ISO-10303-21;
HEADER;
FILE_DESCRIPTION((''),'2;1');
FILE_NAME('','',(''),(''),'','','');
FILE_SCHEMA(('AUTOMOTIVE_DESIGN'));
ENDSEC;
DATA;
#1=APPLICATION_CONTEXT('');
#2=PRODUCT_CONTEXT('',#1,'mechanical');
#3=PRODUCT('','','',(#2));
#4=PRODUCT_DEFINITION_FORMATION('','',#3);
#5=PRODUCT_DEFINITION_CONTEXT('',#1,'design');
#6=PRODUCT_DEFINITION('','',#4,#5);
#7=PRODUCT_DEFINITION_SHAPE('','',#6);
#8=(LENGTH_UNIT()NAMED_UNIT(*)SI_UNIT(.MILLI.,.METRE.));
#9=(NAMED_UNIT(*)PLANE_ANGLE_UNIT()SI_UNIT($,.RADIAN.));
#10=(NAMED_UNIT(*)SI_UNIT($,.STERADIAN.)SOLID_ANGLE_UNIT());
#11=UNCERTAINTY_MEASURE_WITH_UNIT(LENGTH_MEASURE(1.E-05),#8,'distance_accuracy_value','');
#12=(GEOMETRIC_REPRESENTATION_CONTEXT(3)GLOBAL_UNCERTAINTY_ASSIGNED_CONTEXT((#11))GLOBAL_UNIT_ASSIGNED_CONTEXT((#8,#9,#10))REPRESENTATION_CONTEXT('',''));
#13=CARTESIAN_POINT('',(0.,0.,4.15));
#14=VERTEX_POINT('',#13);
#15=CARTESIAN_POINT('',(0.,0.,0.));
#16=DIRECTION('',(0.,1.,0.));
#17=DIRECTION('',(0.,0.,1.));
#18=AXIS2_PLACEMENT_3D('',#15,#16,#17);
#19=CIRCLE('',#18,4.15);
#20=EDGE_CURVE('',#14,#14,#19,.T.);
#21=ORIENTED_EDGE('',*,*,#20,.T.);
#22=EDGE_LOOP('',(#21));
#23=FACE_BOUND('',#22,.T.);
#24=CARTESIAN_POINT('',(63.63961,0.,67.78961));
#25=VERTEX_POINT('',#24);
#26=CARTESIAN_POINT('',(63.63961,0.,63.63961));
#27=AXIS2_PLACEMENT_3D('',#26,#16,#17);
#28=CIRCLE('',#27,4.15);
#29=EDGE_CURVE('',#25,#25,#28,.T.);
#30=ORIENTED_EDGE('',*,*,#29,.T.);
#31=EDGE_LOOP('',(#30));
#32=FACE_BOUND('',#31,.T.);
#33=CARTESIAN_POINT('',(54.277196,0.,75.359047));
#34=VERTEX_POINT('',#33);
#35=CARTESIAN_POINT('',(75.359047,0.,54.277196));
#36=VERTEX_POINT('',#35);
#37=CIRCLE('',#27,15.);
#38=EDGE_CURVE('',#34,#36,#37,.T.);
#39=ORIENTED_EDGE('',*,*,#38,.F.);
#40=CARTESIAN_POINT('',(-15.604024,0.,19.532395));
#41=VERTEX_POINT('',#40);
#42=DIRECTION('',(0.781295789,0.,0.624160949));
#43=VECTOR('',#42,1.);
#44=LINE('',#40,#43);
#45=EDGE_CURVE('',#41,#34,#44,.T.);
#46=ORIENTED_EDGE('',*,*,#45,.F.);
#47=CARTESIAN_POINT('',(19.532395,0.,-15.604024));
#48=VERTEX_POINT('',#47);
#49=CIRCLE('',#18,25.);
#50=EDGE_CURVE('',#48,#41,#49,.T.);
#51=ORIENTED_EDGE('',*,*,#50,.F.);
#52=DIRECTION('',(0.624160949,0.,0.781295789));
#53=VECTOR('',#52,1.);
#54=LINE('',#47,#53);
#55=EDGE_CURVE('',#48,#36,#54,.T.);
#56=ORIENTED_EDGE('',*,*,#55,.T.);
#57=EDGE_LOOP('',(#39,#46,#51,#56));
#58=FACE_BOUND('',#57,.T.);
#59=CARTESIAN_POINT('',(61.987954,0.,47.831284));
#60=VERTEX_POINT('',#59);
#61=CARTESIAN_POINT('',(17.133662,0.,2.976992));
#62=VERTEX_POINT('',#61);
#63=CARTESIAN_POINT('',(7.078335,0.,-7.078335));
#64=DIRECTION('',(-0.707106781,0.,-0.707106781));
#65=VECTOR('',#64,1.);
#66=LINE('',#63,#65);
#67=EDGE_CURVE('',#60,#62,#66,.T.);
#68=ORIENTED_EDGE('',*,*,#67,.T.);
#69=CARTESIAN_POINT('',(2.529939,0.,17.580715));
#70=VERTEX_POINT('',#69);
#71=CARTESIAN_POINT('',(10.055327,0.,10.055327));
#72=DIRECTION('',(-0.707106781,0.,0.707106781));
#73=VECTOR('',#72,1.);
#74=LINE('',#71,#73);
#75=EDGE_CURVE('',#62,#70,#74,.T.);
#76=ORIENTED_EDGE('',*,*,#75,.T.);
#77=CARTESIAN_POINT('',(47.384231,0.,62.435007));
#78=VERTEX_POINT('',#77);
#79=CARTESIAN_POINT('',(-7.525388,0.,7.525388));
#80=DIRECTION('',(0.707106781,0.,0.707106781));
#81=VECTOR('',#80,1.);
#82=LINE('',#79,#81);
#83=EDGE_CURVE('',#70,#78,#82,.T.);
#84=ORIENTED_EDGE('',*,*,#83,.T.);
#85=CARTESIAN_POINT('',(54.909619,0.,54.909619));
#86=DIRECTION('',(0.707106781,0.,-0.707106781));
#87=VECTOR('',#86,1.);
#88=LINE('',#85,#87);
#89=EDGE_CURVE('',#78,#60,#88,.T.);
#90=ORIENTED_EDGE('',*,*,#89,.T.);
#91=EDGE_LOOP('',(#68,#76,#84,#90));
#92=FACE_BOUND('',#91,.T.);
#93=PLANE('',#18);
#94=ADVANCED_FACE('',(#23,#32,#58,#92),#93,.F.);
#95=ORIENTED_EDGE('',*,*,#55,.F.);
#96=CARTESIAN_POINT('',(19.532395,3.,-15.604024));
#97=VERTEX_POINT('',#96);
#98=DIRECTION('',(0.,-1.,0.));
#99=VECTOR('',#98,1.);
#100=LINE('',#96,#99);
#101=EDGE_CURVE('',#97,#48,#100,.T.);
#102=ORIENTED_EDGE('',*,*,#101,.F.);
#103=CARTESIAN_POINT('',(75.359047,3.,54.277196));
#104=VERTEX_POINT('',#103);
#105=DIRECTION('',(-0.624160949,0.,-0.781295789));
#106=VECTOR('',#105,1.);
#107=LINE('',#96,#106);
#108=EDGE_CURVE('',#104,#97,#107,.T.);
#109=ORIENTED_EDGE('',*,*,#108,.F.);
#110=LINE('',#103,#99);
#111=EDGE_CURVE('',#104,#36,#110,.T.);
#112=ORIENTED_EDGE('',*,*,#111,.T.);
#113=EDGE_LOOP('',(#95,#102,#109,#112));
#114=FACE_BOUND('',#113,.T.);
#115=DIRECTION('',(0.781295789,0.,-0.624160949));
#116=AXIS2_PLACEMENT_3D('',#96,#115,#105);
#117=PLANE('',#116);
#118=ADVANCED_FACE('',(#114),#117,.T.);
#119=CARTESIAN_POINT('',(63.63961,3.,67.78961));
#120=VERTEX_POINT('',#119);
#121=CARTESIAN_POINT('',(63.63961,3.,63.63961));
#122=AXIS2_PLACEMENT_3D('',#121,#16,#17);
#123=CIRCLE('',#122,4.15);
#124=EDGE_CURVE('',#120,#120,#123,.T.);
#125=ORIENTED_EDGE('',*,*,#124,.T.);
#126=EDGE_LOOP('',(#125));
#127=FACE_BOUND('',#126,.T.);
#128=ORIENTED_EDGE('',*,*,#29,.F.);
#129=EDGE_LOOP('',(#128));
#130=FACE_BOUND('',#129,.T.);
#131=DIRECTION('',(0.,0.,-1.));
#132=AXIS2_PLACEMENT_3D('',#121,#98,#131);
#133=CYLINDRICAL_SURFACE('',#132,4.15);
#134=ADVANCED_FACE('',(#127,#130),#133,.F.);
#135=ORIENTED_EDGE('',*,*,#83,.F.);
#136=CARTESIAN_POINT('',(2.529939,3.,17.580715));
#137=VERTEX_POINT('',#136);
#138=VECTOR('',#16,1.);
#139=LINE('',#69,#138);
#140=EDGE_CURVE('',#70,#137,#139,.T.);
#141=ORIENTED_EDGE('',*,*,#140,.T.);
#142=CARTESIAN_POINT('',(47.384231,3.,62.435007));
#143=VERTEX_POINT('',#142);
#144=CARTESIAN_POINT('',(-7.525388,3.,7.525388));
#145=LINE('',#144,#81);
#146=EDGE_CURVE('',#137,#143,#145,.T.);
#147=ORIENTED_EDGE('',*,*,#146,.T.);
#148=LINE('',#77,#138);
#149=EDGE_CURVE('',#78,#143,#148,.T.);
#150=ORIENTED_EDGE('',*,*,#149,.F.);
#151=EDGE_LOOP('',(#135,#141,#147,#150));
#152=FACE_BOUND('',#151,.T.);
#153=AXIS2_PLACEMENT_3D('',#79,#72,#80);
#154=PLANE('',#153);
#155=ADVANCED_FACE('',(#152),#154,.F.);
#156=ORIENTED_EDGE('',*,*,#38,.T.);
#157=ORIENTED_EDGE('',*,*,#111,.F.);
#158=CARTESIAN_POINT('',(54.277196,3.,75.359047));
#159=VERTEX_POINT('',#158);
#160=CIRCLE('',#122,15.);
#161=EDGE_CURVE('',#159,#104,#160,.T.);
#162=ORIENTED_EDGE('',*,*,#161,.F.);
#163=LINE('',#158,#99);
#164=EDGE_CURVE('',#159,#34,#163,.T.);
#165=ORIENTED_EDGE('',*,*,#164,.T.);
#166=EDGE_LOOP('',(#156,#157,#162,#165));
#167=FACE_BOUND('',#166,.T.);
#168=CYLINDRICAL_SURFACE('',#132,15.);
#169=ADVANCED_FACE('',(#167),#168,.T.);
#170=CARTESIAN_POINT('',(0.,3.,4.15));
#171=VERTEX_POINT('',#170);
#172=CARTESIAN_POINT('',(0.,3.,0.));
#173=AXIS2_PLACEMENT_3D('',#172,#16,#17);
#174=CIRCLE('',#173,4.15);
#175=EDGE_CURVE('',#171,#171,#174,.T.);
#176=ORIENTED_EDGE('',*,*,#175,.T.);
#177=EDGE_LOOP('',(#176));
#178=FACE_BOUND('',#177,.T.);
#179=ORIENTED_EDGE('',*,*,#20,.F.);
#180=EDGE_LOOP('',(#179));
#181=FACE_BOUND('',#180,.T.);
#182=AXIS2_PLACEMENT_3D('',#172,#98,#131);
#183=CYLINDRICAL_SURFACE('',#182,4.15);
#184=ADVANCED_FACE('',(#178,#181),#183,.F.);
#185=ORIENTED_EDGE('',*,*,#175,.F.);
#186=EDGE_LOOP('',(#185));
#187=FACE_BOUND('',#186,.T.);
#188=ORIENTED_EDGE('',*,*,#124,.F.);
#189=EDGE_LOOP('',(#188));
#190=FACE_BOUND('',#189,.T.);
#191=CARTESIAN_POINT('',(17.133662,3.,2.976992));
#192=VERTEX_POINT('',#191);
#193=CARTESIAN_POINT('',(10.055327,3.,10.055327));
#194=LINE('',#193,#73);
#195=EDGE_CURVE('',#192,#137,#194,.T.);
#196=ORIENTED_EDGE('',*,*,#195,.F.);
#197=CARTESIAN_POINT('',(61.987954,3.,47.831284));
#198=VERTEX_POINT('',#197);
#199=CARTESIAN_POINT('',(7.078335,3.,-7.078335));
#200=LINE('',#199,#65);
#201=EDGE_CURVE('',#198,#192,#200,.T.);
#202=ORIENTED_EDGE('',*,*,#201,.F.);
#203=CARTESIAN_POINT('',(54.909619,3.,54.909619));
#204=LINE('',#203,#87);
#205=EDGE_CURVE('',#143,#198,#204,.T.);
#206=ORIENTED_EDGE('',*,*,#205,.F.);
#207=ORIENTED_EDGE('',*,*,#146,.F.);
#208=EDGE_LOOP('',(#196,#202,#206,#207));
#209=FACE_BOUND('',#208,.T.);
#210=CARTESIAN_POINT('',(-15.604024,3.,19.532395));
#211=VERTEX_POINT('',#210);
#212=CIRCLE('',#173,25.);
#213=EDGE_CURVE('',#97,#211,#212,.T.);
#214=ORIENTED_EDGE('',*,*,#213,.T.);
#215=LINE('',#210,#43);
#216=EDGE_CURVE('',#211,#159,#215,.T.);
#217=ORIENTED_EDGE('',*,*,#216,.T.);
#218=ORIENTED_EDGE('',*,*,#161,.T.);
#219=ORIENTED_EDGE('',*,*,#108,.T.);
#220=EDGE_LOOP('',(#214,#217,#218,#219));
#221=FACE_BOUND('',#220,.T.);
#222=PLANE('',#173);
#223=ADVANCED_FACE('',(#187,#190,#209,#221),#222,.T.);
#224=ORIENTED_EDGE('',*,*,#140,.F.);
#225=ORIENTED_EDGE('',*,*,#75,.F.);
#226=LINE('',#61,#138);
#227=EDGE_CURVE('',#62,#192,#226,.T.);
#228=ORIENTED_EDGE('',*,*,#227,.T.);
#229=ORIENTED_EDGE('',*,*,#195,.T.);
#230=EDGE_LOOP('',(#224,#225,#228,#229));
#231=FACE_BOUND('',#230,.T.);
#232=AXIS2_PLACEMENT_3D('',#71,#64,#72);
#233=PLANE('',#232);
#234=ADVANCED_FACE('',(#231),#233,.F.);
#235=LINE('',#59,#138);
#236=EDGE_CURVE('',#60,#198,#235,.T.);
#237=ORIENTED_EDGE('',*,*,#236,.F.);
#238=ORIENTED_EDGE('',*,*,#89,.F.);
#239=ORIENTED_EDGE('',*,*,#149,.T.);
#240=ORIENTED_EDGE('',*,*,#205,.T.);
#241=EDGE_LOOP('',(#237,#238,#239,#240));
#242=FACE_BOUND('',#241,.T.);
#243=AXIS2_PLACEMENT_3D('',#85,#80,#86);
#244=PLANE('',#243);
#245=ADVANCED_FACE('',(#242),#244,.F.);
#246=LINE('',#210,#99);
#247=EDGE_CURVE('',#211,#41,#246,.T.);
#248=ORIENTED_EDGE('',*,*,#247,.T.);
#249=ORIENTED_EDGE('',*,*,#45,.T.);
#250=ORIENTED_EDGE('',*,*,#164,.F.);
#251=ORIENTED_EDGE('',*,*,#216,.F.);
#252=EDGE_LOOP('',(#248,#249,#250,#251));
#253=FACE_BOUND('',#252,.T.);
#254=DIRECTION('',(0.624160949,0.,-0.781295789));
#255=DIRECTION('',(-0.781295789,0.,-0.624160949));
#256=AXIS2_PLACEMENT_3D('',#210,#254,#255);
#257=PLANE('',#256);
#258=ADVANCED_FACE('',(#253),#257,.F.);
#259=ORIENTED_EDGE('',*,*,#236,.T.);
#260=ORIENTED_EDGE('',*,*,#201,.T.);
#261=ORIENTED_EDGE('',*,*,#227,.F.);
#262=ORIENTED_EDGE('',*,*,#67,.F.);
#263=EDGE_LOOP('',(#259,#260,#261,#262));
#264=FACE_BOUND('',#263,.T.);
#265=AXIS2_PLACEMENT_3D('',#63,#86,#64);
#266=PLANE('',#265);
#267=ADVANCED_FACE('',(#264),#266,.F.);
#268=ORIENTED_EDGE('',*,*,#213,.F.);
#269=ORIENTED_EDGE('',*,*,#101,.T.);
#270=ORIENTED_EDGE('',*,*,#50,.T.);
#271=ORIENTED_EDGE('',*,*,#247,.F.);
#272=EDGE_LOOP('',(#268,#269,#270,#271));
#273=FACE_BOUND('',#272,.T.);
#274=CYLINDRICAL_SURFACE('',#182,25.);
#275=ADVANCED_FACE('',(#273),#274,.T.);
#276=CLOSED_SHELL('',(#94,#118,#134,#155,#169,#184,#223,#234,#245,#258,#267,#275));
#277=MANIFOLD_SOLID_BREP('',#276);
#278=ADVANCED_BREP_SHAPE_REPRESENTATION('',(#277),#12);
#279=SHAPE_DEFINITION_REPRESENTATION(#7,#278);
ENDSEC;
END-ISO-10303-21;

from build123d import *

# Parameters (mm, degrees)
SKETCH_1_R          = 4.15
EXTRUDE_1_DEPTH     = 3
EXTRUDE_2_DEPTH     = 12
CUT_EXTRUDE_1_DEPTH = 112.858735101
CUT_EXTRUDE_2_DEPTH = 112.858735101


with BuildPart() as part:
    # 草图1 → 凸台-拉伸1 (new body)
    with BuildSketch(Plane(origin=(0, 0, 0), x_dir=(1, 0, 0), z_dir=(0, 1, 0))):
        with BuildLine():
            ThreePointArc((19.532394726, 15.60402372), (-17.67766953, 17.67766953), (-15.60402372, -19.532394726))
            Line((-15.60402372, -19.532394726), (54.277196075, -75.359047143))
            ThreePointArc((54.277196075, -75.359047143), (74.246212025, -74.246212025), (75.359047143, -54.277196075))
            Line((75.359047143, -54.277196075), (19.532394726, 15.60402372))
        make_face()
        with Locations(Location((0, 0, 0), (0, 0, 270))):
            Circle(SKETCH_1_R, mode=Mode.SUBTRACT)
        with Locations(Location((63.639610307, -63.639610307, 0), (0, 0, 270))):
            Circle(SKETCH_1_R, mode=Mode.SUBTRACT)
    extrude(amount=EXTRUDE_1_DEPTH)

    # 草图3 → 凸台-拉伸2 (add)
    with BuildSketch(Plane(origin=(0, 3, 0), x_dir=(1, 0, 0), z_dir=(0, 1, 0))):
        with BuildLine():
            ThreePointArc((54.277196075, -75.359047143), (74.246212025, -74.246212025), (75.359047143, -54.277196075))
            Line((75.359047143, -54.277196075), (19.532394726, 15.60402372))
            ThreePointArc((19.532394726, 15.60402372), (-17.67766953, 17.67766953), (-15.60402372, -19.532394726))
            Line((-15.60402372, -19.532394726), (54.277196075, -75.359047143))
        make_face()
        with BuildLine():
            Line((17.969803148, 14.355701822), (73.796455565, -55.525517972))
            ThreePointArc((73.796455565, -55.525517972), (72.831998462, -72.831998462), (55.525517972, -73.796455565))
            Line((55.525517972, -73.796455565), (-14.355701822, -17.969803148))
            ThreePointArc((-14.355701822, -17.969803148), (-16.263455967, 16.263455967), (17.969803148, 14.355701822))
        make_face(mode=Mode.SUBTRACT)
    extrude(amount=EXTRUDE_2_DEPTH)

    # 草图4 → 切除-拉伸1 (cut, through all)
    with BuildSketch(Plane(origin=(0, 3, 0), x_dir=(1, 0, 0), z_dir=(0, 1, 0))):
        Polygon((17.133662373, -2.976992155), (10.055327264, -10.055327264), (54.909619217, -54.909619217), (61.987954325, -47.831284108), align=None)
        Polygon((54.909619217, -54.909619217), (10.055327264, -10.055327264), (2.529939412, -17.580715117), (47.384231364, -62.435007069), align=None)
    extrude(amount=-CUT_EXTRUDE_1_DEPTH, mode=Mode.SUBTRACT)

    # 草图5 → 切除-拉伸2 (cut, through all)
    with BuildSketch(Plane(origin=(0, 3, 0), x_dir=(1, 0, 0), z_dir=(0, 1, 0))):
        with BuildLine():
            Line((-6.700597737, -24.085306516), (-14.355701822, -17.969803148))
            ThreePointArc((-14.355701822, -17.969803148), (-16.263455967, 16.263455967), (17.969803148, 14.355701822))
            Line((17.969803148, 14.355701822), (24.085306516, 6.700597737))
            ThreePointArc((24.085306516, 6.700597737), (22.258564958, 11.382279474), (19.532394726, 15.60402372))
            ThreePointArc((19.532394726, 15.60402372), (-17.67766953, 17.67766953), (-15.60402372, -19.532394726))
            ThreePointArc((-15.60402372, -19.532394726), (-11.382279474, -22.258564958), (-6.700597737, -24.085306516))
        make_face()
        with BuildLine():
            Line((24.085306516, 6.700597737), (69.125662715, -49.678835652))
            ThreePointArc((69.125662715, -49.678835652), (72.544296976, -51.568713268), (75.359047143, -54.277196075))
            Line((75.359047143, -54.277196075), (19.532394726, 15.60402372))
            ThreePointArc((19.532394726, 15.60402372), (22.258564958, 11.382279474), (24.085306516, 6.700597737))
        make_face()
        with BuildLine():
            Line((49.678835652, -69.125662715), (-6.700597737, -24.085306516))
            ThreePointArc((-6.700597737, -24.085306516), (-11.382279474, -22.258564958), (-15.60402372, -19.532394726))
            Line((-15.60402372, -19.532394726), (54.277196075, -75.359047143))
            ThreePointArc((54.277196075, -75.359047143), (51.568713268, -72.544296976), (49.678835652, -69.125662715))
        make_face()
        with BuildLine():
            ThreePointArc((75.359047143, -54.277196075), (72.544296976, -51.568713268), (69.125662715, -49.678835652))
            Line((69.125662715, -49.678835652), (73.796455565, -55.525517972))
            ThreePointArc((73.796455565, -55.525517972), (75.908248951, -59.340714422), (76.639610307, -63.639610307))
            ThreePointArc((76.639610307, -63.639610307), (69.275069456, -75.354626319), (55.525517972, -73.796455565))
            Line((55.525517972, -73.796455565), (49.678835652, -69.125662715))
            ThreePointArc((49.678835652, -69.125662715), (51.568713268, -72.544296976), (54.277196075, -75.359047143))
            ThreePointArc((54.277196075, -75.359047143), (70.142063172, -77.156936475), (78.639610307, -63.639610307))
            ThreePointArc((78.639610307, -63.639610307), (77.795731819, -58.679345825), (75.359047143, -54.277196075))
        make_face()
    extrude(amount=CUT_EXTRUDE_2_DEPTH, mode=Mode.SUBTRACT)


solid = part.part
